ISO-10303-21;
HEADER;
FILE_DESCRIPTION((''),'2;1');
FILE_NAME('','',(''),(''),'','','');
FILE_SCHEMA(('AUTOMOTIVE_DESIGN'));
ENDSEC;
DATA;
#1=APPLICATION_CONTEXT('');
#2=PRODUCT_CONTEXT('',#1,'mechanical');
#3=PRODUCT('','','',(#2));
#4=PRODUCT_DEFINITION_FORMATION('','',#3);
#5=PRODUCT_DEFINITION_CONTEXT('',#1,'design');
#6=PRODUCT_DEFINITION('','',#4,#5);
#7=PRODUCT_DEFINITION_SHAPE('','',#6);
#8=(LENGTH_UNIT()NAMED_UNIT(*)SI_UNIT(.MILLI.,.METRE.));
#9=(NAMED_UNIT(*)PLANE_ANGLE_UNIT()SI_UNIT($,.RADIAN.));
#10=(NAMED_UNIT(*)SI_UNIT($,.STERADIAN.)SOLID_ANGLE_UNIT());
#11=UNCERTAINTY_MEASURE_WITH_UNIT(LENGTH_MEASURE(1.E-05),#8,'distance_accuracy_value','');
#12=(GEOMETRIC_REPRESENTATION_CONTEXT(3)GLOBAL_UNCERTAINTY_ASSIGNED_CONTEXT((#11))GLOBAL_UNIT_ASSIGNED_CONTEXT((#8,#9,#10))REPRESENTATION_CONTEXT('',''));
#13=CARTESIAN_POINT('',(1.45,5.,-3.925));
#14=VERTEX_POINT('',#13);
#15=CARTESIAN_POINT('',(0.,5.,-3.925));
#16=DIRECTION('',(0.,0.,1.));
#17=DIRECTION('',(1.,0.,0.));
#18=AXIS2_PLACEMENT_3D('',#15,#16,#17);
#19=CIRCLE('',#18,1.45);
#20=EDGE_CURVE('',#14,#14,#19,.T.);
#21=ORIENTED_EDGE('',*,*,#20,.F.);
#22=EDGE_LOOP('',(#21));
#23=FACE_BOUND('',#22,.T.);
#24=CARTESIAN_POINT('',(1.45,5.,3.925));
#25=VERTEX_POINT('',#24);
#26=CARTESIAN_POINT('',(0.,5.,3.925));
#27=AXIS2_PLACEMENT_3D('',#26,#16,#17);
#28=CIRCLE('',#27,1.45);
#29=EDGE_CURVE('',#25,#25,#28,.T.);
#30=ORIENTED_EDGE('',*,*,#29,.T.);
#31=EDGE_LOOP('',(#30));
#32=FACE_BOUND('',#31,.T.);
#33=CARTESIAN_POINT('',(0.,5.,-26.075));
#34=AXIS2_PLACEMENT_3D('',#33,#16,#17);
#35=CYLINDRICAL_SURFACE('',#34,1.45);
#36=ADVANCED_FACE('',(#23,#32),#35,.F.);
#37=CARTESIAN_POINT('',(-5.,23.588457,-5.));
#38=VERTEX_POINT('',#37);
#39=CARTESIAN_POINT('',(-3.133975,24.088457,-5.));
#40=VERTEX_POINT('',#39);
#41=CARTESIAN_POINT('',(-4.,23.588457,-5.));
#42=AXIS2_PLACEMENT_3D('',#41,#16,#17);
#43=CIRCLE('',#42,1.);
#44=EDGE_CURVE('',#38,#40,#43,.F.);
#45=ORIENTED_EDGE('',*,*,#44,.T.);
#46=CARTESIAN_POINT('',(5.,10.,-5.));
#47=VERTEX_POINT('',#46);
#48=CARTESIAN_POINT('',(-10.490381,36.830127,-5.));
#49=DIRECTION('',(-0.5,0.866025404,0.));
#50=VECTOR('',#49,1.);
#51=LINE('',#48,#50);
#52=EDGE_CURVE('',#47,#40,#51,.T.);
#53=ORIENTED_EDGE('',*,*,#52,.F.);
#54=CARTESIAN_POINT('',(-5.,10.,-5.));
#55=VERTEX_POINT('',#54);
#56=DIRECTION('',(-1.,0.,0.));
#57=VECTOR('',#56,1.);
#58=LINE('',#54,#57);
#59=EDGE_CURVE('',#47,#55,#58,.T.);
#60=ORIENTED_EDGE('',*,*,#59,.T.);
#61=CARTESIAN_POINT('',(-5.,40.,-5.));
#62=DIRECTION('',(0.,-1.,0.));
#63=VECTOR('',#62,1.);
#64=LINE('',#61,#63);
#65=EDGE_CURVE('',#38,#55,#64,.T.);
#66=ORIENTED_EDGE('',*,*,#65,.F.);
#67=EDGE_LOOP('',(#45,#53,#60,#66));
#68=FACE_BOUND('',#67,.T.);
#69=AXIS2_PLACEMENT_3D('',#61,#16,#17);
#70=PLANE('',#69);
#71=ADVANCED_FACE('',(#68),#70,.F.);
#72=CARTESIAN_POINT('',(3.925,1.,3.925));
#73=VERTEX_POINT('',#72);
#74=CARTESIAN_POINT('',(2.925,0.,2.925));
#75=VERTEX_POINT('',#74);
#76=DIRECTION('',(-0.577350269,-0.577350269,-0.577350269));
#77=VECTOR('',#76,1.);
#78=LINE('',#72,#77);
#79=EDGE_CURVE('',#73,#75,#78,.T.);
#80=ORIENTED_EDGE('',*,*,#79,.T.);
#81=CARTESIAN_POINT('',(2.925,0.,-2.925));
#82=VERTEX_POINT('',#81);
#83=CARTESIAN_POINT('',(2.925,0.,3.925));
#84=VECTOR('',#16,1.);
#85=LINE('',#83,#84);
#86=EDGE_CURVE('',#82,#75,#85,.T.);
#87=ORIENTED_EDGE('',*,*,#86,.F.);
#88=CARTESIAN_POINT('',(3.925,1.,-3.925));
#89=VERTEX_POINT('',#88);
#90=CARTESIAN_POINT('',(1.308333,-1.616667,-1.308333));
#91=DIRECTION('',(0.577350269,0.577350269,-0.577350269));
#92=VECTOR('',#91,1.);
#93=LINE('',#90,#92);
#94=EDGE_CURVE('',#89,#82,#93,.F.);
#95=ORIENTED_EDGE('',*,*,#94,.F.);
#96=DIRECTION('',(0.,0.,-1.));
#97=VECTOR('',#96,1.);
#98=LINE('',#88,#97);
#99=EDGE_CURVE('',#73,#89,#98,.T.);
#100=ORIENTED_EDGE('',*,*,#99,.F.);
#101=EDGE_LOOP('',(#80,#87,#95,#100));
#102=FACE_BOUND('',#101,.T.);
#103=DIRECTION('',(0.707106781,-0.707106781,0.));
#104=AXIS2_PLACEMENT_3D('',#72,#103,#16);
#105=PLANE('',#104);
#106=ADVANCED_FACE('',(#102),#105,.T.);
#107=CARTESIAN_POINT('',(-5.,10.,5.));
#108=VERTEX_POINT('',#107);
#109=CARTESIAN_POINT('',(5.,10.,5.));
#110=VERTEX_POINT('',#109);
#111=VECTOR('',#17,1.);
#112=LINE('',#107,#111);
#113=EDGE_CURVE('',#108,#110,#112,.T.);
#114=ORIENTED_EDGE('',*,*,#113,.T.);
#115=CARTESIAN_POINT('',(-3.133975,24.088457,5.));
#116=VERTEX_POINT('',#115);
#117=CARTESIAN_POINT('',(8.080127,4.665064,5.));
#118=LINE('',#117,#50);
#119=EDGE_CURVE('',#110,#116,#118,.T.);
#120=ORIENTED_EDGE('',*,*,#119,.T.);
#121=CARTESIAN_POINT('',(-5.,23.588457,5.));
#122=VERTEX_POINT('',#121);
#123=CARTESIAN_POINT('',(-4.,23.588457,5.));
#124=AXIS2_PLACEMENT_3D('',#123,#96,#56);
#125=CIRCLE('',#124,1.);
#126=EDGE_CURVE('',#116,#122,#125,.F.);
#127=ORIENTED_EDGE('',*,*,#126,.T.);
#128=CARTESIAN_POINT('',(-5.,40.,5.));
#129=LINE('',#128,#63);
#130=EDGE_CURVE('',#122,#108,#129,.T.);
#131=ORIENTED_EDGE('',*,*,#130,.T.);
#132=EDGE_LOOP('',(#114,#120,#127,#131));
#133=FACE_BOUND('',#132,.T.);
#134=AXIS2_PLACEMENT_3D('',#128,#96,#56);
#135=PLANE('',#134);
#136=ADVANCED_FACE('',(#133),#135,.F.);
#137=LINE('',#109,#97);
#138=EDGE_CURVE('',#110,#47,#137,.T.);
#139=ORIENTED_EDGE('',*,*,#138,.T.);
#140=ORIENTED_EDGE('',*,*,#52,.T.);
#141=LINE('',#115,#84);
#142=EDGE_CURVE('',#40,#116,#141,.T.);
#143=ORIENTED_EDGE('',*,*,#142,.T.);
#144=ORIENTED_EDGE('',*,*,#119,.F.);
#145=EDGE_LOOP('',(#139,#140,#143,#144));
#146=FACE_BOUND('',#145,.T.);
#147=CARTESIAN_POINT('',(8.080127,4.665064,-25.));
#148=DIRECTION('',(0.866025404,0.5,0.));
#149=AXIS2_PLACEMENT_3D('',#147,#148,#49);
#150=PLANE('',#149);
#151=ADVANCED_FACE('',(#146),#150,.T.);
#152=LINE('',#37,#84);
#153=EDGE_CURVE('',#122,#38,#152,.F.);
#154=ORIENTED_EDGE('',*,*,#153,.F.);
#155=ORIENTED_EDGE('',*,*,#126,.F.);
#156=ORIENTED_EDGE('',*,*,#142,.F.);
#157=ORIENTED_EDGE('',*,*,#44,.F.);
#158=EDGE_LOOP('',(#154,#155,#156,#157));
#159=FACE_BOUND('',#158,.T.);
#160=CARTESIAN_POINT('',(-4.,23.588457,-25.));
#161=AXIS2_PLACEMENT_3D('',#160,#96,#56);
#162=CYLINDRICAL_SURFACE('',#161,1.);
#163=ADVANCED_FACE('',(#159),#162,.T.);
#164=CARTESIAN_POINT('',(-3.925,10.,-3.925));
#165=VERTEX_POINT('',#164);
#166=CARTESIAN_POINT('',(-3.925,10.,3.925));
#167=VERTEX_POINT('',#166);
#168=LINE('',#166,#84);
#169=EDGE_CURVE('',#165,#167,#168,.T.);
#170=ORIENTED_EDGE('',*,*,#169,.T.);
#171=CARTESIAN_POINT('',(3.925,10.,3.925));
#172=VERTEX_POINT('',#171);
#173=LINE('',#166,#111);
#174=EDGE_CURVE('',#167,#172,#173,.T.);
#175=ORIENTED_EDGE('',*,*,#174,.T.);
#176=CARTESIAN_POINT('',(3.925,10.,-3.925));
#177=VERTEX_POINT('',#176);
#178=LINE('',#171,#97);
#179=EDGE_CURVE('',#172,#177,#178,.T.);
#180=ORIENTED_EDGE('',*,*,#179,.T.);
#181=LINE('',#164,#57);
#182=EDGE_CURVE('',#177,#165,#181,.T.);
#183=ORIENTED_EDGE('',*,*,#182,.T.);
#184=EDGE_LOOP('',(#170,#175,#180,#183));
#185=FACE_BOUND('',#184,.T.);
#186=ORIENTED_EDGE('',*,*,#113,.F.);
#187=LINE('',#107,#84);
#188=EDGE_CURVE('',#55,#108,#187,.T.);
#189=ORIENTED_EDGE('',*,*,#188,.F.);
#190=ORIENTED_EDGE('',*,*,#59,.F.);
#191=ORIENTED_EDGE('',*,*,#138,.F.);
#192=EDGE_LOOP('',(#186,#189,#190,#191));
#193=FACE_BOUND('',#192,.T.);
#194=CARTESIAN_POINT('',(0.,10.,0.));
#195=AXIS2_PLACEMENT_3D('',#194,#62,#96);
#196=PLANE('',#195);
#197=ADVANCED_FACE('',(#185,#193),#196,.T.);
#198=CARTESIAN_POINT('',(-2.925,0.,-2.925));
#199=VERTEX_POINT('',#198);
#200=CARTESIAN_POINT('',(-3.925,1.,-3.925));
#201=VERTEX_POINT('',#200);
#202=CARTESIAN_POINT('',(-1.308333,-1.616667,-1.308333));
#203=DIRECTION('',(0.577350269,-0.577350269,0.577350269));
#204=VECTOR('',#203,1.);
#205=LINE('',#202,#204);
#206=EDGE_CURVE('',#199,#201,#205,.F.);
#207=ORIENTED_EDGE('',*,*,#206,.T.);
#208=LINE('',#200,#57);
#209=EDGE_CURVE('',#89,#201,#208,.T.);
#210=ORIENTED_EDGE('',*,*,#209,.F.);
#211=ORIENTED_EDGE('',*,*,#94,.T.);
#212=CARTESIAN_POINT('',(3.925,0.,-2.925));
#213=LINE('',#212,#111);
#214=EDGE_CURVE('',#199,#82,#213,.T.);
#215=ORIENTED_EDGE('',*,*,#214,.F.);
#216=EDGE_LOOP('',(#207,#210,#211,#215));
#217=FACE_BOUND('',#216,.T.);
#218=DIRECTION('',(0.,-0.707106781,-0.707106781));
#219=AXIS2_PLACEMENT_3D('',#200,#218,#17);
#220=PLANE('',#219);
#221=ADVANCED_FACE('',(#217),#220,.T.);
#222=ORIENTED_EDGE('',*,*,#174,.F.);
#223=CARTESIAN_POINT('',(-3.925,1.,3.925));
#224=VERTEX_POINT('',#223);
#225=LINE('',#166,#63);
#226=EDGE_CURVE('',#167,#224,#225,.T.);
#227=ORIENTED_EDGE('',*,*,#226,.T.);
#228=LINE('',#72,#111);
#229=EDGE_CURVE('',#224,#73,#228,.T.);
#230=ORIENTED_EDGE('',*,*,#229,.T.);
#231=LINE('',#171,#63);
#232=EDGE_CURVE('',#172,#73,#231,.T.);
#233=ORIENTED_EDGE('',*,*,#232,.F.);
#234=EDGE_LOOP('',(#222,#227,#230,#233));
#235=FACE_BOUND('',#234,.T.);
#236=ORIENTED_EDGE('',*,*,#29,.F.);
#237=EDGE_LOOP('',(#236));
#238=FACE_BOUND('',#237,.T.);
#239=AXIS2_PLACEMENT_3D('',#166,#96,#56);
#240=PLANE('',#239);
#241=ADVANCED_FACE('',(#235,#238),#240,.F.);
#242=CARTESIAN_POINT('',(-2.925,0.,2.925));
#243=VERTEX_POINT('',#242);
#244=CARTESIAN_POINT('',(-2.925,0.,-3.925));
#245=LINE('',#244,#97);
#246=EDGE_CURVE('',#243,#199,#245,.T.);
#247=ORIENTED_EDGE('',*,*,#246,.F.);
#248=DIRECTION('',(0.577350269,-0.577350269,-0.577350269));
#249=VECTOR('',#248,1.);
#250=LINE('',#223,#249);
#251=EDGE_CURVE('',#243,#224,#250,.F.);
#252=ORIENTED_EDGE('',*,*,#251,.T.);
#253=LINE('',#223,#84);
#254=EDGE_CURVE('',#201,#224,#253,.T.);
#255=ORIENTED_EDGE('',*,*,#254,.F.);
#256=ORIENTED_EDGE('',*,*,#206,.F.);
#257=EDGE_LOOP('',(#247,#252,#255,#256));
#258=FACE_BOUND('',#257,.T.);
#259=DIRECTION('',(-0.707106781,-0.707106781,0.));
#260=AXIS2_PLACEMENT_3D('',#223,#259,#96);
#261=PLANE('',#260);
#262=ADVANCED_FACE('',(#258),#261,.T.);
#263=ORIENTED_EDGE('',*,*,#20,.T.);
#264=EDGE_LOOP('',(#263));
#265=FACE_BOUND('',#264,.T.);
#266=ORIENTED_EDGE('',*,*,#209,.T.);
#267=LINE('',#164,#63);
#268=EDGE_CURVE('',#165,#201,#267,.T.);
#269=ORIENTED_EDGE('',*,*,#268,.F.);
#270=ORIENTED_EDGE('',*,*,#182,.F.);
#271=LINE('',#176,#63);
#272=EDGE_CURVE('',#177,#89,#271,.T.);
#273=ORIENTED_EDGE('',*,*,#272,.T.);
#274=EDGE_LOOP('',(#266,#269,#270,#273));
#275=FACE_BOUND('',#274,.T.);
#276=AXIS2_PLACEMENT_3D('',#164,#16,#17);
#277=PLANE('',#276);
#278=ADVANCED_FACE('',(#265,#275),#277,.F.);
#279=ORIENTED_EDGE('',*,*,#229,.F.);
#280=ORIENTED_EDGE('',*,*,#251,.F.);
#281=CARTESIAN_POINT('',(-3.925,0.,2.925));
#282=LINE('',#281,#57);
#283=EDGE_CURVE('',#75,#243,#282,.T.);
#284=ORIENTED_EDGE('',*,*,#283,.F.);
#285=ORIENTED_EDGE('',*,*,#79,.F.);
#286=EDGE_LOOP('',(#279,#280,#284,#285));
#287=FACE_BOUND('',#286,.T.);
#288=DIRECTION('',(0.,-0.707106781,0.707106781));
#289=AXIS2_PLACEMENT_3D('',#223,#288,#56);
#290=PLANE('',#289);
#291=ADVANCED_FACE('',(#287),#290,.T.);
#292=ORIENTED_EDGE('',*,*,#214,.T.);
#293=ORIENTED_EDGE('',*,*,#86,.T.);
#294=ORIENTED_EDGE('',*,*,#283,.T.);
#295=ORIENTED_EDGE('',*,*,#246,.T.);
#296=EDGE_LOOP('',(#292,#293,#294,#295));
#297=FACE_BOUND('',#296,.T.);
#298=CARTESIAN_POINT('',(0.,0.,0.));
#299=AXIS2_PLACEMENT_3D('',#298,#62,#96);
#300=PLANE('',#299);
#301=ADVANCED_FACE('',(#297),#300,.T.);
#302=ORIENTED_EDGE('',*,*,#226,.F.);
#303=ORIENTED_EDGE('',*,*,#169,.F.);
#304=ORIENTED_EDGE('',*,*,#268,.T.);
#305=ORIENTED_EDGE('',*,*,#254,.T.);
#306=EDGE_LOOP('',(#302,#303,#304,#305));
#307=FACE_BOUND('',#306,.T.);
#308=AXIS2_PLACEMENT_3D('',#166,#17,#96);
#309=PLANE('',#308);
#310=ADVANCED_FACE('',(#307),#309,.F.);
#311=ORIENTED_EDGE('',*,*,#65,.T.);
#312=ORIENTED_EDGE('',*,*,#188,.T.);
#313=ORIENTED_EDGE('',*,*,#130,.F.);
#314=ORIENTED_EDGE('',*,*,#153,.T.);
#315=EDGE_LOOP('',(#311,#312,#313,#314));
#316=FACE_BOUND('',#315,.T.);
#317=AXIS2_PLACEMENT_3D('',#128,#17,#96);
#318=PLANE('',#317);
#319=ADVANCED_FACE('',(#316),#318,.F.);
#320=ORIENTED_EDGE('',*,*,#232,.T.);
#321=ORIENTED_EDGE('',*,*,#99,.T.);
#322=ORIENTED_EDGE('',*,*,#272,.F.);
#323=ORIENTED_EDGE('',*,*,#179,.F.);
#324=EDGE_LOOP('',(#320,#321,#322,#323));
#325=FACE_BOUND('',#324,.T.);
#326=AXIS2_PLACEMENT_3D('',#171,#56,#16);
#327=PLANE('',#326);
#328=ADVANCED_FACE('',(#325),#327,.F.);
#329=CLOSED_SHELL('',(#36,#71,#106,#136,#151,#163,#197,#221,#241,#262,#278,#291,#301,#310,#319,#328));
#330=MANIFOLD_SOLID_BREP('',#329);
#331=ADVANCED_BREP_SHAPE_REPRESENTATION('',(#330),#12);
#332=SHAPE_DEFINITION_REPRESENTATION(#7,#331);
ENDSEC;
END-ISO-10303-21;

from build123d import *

# Parameters (mm, degrees)
SKETCH_1_W          = 7.85
SKETCH_1_H          = 7.85
EXTRUDE_1_DEPTH     = 10
SKETCH_2_W          = 10
SKETCH_2_H          = 10
EXTRUDE_2_DEPTH     = 30
CUT_EXTRUDE_1_DEPTH = 30
FILLET_1_R          = 1
CHAMFER_1_SIZE      = 1
SKETCH_4_R          = 1.45
CUT_EXTRUDE_2_DEPTH = 30


with BuildPart() as part:
    # ｽｹｯﾁ1 → ﾎﾞｽ - 押し出し1 (new body)
    with BuildSketch(Plane(origin=(0, 0, 0), x_dir=(1, 0, 0), z_dir=(0, 1, 0))):
        Rectangle(SKETCH_1_W, SKETCH_1_H)
    extrude(amount=EXTRUDE_1_DEPTH)

    # ｽｹｯﾁ2 → ﾎﾞｽ - 押し出し2 (add)
    with BuildSketch(Plane(origin=(0, 10, 0), x_dir=(1, 0, 0), z_dir=(0, 1, 0))):
        Rectangle(SKETCH_2_W, SKETCH_2_H)
    extrude(amount=EXTRUDE_2_DEPTH)

    # ｽｹｯﾁ3 → ｶｯﾄ - 押し出し1 (cut)
    with BuildSketch(Plane.XY.offset(5)):
        Polygon((-5, 27.320508076), (5, 10), (5, 40), (-5, 40), align=None)
    extrude(amount=-CUT_EXTRUDE_1_DEPTH, mode=Mode.SUBTRACT)

    # ﾌｨﾚｯﾄ1
    fillet_1_edges = [part.edges().sort_by_distance(p)[0] for p in [
        (-5, 27.320508076, 0),
    ]]
    fillet(fillet_1_edges, radius=FILLET_1_R)

    # 面取り1
    chamfer_1_edges = [part.edges().sort_by_distance(p)[0] for p in [
        (0, 0, 3.925),
        (-3.925, 0, 0),
        (0, 0, -3.925),
        (3.925, 0, 0),
    ]]
    chamfer(chamfer_1_edges, length=CHAMFER_1_SIZE)

    # ｽｹｯﾁ4 → ｶｯﾄ - 押し出し2 (cut)
    with BuildSketch(Plane.XY.offset(3.925)):
        with Locations((0, 5)):
            Circle(SKETCH_4_R)
    extrude(amount=-CUT_EXTRUDE_2_DEPTH, mode=Mode.SUBTRACT)


solid = part.part
